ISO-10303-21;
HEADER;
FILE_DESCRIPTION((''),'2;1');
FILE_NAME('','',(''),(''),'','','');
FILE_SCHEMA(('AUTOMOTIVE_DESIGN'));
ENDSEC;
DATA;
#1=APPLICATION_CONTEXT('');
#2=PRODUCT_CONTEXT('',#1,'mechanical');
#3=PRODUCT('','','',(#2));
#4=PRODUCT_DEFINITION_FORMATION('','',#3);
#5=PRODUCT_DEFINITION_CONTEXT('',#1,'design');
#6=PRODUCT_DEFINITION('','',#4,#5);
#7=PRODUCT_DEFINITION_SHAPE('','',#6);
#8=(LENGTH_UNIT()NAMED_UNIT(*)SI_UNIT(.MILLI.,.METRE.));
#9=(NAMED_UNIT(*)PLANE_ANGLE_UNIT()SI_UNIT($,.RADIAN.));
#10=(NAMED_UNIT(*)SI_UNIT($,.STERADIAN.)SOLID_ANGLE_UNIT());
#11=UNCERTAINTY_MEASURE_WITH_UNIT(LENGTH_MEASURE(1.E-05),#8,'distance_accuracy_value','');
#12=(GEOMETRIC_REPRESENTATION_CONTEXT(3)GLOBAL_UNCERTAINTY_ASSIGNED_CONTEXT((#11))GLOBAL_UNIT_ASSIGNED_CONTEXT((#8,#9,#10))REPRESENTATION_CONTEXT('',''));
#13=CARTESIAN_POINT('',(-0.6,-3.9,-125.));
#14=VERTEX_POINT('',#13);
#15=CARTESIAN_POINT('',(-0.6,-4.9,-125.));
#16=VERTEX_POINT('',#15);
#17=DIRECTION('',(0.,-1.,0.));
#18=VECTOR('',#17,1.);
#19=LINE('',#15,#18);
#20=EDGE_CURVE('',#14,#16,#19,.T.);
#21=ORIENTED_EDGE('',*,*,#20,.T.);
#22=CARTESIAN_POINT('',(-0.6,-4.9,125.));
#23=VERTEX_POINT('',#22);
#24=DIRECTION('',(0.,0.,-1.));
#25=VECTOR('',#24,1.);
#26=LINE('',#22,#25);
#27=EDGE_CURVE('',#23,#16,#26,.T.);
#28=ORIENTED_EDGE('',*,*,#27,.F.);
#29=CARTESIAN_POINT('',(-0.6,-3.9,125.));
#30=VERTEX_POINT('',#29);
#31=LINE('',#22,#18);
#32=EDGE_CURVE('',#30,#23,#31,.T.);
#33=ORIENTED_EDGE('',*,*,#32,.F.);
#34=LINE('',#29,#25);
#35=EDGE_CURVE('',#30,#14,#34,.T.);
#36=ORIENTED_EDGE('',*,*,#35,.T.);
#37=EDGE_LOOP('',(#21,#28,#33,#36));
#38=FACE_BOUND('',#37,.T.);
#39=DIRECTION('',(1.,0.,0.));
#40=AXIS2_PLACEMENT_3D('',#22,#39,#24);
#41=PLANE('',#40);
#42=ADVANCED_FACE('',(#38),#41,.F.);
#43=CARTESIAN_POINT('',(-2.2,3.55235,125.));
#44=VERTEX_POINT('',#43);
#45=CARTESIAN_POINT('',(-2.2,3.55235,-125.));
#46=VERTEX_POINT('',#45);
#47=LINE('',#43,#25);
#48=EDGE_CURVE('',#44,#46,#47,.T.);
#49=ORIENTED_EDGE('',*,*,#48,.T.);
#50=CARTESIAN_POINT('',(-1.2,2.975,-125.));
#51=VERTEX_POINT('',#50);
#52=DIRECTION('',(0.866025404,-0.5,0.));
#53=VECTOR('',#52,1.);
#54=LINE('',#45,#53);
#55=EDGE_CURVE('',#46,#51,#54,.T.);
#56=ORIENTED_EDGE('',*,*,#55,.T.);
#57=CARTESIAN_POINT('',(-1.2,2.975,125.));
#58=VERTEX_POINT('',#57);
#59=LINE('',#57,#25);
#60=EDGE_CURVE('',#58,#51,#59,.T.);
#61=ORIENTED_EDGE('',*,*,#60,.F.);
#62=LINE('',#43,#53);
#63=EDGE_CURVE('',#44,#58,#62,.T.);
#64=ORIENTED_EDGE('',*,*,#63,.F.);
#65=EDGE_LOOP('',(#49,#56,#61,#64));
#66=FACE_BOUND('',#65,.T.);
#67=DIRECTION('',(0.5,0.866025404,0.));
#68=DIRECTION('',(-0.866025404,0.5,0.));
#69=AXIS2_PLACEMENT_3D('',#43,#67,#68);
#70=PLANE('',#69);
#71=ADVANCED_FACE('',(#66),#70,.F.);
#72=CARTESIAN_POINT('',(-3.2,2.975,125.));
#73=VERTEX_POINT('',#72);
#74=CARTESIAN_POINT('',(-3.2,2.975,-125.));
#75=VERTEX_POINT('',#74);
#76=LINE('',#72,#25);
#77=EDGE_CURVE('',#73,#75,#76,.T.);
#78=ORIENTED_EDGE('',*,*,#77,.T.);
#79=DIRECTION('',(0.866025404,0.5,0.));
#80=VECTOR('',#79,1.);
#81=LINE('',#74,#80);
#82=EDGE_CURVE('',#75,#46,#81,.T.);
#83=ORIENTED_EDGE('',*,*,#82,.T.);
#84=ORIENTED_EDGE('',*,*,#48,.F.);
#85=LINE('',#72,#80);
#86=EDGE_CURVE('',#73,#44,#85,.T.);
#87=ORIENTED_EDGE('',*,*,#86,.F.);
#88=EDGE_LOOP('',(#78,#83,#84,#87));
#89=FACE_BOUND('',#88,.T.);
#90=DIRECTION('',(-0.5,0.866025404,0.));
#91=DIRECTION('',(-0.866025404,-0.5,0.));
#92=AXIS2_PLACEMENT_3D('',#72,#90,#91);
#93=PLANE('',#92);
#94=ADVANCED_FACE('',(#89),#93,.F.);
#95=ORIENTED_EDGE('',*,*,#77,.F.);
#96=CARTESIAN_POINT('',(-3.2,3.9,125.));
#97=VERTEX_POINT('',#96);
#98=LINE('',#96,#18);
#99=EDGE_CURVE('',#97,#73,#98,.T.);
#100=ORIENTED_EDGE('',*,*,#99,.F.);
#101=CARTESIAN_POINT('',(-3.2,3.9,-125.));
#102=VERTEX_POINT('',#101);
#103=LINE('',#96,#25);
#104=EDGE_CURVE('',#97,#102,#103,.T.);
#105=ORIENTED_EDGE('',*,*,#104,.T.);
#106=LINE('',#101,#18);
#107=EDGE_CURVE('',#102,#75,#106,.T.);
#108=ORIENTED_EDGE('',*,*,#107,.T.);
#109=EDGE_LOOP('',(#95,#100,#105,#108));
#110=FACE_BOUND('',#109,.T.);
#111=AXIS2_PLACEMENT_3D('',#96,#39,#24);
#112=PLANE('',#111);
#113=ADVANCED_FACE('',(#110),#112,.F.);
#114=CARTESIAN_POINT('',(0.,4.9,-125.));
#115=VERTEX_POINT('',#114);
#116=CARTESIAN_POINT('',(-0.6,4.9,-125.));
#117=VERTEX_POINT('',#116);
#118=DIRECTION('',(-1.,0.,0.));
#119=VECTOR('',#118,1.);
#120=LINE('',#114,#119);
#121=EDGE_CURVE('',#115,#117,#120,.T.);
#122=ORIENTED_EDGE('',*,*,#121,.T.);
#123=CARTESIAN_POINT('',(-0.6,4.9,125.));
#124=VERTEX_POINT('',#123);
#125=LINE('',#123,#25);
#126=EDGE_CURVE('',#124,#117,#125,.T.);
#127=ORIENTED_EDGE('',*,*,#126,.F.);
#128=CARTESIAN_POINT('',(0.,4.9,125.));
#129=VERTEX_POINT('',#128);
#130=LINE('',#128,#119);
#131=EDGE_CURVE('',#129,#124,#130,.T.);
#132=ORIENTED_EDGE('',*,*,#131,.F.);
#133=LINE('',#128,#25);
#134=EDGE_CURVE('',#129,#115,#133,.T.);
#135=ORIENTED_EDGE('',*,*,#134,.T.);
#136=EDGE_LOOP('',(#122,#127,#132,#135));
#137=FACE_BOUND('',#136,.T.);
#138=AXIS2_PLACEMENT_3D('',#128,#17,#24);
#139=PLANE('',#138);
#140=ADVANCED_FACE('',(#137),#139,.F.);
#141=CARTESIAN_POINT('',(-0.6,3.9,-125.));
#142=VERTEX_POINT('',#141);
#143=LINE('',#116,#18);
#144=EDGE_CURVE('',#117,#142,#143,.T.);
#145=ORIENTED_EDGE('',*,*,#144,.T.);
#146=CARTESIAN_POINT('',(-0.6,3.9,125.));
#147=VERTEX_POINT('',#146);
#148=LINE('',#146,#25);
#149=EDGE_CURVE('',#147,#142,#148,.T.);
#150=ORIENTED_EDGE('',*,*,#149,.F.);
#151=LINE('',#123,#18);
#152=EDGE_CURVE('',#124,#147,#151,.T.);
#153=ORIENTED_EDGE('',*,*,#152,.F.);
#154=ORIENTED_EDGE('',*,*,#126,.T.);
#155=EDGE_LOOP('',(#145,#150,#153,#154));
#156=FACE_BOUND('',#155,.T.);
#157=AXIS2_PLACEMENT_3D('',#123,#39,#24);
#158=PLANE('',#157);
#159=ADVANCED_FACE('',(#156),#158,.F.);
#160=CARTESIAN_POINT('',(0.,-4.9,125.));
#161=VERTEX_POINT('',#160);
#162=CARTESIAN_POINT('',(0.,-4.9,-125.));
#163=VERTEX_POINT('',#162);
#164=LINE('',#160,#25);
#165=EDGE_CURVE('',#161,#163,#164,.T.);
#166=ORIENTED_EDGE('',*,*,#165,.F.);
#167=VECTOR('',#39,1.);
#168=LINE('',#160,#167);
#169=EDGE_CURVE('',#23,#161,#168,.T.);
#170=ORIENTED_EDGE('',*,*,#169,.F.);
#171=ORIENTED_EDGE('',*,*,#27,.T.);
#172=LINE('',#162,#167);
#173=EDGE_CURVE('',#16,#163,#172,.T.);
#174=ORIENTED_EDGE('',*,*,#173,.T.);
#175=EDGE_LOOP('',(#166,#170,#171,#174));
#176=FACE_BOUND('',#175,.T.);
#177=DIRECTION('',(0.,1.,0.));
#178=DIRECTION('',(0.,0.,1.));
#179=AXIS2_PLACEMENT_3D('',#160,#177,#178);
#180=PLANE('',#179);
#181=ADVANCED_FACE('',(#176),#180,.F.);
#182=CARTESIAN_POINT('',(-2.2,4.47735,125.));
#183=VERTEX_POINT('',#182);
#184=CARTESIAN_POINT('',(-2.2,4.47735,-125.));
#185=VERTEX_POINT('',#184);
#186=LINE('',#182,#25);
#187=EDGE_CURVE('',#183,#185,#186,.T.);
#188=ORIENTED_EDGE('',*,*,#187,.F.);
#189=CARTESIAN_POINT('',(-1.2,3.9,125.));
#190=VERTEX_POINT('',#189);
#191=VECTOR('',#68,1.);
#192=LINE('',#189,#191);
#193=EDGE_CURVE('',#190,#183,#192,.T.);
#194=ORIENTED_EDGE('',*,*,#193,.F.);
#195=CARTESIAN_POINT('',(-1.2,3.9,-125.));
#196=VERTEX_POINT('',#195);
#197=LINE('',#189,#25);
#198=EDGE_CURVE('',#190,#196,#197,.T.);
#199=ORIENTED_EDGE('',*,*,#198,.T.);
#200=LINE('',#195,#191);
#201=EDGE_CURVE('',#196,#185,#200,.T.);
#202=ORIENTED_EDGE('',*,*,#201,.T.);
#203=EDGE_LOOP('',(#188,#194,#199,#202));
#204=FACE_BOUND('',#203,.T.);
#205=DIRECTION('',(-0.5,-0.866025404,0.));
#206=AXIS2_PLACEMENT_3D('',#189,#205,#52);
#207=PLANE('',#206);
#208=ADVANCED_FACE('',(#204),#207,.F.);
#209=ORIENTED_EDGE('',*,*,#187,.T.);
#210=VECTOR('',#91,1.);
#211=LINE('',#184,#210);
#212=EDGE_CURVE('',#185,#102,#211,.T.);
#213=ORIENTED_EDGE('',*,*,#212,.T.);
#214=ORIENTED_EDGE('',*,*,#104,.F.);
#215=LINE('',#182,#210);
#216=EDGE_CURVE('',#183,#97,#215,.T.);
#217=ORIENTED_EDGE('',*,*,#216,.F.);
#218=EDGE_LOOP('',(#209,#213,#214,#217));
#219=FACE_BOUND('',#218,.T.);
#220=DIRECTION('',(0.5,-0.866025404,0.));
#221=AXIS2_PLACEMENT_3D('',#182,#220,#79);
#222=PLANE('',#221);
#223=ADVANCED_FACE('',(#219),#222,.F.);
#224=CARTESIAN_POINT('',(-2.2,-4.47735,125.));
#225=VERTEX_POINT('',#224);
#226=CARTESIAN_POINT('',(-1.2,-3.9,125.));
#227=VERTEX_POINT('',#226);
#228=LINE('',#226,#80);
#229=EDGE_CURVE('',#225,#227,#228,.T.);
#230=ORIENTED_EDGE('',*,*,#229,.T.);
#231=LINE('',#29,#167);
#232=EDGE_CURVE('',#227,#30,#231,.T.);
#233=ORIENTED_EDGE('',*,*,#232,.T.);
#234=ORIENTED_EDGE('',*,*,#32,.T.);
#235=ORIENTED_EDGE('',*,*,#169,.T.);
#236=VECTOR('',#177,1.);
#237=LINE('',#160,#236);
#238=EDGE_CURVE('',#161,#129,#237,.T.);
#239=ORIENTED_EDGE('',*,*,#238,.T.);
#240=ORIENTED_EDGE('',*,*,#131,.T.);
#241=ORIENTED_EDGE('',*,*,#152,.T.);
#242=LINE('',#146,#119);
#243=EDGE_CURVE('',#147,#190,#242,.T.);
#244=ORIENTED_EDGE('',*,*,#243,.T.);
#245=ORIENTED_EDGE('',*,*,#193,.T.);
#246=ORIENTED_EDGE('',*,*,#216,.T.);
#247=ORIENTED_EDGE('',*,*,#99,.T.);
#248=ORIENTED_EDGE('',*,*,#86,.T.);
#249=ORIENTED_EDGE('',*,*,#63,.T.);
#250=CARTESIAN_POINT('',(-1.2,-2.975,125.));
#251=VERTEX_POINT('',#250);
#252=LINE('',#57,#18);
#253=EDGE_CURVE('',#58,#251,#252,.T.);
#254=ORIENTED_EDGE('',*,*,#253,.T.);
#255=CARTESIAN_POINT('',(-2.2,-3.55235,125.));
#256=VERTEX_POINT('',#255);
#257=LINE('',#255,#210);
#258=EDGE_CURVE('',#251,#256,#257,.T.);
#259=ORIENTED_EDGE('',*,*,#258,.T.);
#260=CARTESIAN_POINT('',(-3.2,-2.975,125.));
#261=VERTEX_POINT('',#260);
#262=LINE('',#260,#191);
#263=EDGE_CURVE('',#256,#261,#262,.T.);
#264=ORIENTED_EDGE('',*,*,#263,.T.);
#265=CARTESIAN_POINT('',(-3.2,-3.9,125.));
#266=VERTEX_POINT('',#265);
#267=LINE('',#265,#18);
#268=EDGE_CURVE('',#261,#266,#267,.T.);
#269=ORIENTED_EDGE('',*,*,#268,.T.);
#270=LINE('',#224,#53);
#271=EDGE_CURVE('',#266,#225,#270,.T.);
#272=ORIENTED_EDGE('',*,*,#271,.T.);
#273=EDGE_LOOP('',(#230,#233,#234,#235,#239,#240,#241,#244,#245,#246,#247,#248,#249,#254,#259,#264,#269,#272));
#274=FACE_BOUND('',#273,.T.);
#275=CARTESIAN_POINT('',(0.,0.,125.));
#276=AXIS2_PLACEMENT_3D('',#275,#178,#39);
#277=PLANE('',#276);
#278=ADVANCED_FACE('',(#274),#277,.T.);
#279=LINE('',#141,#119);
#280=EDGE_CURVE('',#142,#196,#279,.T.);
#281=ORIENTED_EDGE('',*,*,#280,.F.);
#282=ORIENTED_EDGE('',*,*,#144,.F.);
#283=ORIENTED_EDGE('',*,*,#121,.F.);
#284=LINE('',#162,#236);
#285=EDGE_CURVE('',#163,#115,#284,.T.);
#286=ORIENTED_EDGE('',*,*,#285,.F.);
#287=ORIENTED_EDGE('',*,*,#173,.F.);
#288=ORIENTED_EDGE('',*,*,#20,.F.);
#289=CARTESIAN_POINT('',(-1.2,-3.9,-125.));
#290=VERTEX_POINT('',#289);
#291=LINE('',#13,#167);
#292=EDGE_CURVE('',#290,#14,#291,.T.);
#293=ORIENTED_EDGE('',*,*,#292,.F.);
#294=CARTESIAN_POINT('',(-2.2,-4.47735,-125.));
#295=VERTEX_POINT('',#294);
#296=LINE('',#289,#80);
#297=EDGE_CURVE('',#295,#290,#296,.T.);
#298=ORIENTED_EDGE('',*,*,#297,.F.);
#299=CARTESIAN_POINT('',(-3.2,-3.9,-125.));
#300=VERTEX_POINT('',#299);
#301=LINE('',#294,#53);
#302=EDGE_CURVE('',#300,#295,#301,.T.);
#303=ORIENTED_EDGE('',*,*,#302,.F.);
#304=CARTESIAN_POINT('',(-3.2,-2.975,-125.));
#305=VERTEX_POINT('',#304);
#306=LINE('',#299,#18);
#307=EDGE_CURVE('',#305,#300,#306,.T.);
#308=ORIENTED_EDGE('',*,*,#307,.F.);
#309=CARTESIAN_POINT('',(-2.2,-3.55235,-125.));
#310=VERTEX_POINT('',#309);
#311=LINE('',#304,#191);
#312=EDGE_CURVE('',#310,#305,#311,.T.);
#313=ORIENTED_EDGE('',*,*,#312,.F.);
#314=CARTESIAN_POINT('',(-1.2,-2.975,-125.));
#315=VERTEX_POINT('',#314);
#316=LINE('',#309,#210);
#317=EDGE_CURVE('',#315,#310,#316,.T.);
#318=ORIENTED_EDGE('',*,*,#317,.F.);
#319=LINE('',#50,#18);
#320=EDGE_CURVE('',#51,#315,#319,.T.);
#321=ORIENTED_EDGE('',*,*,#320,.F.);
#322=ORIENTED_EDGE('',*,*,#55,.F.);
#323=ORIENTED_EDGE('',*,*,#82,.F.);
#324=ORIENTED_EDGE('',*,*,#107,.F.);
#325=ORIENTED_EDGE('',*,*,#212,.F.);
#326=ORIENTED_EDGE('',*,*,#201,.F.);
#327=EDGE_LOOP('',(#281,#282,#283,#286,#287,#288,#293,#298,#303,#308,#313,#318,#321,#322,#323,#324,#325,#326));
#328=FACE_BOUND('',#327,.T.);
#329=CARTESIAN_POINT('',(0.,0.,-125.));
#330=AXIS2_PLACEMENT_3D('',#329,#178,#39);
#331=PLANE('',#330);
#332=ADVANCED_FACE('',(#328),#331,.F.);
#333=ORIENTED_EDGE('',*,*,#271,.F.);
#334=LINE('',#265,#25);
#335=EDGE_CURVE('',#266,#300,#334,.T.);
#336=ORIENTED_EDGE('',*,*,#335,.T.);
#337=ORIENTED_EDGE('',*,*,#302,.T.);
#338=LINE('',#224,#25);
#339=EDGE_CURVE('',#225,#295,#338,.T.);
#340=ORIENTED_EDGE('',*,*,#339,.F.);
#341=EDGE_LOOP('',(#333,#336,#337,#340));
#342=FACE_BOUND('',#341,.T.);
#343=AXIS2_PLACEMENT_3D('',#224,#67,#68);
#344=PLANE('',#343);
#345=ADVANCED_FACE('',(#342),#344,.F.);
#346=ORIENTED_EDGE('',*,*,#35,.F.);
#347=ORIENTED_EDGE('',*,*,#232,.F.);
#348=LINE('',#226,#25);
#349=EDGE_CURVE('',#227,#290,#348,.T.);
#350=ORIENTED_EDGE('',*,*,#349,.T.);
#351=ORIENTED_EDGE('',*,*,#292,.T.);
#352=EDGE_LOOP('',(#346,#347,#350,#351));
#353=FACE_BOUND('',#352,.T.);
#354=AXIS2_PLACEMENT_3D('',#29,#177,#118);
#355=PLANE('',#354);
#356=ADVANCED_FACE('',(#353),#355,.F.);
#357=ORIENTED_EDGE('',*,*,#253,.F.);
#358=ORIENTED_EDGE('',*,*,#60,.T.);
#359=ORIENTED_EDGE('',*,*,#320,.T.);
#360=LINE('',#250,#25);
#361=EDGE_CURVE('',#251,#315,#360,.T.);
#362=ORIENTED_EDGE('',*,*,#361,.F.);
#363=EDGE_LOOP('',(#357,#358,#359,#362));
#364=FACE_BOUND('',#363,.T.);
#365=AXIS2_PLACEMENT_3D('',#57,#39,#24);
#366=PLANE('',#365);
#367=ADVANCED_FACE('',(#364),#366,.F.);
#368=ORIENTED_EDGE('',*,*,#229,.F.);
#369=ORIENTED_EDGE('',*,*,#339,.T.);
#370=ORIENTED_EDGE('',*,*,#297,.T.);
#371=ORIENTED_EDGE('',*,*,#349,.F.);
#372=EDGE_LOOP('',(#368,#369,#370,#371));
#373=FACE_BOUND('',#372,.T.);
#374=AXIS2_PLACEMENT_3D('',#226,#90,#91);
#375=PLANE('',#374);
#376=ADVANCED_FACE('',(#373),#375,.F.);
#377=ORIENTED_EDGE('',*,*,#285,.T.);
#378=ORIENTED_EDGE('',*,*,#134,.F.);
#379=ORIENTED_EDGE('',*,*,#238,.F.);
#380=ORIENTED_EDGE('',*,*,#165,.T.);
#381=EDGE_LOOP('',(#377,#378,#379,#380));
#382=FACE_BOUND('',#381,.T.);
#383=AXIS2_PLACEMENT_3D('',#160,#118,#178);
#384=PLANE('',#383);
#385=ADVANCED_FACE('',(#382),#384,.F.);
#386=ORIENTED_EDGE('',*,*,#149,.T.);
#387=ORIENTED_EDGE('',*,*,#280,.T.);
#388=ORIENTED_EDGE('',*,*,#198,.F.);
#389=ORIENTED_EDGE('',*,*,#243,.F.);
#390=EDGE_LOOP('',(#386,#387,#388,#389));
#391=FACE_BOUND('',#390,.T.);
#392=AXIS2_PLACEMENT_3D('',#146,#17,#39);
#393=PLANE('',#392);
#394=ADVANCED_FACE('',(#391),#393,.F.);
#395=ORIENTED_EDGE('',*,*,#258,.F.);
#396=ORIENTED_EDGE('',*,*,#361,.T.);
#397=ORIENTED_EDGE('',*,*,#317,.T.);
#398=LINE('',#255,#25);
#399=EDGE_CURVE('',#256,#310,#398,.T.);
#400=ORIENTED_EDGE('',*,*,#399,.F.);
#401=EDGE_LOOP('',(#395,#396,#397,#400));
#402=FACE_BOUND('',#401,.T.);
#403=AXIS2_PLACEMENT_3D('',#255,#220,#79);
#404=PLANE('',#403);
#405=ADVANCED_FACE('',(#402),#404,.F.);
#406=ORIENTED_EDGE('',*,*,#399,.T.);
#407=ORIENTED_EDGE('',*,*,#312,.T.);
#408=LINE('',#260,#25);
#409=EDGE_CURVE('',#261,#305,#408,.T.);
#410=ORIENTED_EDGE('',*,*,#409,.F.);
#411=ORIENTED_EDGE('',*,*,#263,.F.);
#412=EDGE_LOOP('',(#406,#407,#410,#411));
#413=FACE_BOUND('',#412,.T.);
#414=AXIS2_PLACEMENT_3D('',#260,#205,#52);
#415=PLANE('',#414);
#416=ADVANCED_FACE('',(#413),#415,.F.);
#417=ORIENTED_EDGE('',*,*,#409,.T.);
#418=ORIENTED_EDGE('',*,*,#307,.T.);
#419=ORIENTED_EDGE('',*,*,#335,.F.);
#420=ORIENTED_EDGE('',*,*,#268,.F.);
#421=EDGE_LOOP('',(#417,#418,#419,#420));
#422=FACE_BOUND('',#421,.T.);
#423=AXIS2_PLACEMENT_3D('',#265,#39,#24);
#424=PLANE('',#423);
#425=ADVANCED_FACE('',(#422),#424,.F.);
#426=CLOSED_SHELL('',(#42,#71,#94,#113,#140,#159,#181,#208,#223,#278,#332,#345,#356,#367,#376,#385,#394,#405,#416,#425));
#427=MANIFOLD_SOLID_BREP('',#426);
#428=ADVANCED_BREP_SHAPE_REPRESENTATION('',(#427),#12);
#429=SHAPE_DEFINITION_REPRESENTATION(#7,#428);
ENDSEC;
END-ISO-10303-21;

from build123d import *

# Parameters (mm, degrees)
BOSS_EXTRUDE1_DEPTH = 125


with BuildPart() as part:
    # Sketch1 → Boss-Extrude1 (new, symmetric)
    with BuildSketch(Plane.XY):
        Polygon((0, -4.9), (0, 4.9), (-0.6, 4.9), (-0.6, 3.9), (-1.2, 3.9), (-2.2, 4.477350269), (-3.2, 3.9), (-3.2, 2.975), (-2.2, 3.552350269), (-1.2, 2.975), (-1.2, -2.975), (-2.2, -3.552350269), (-3.2, -2.975), (-3.2, -3.9), (-2.2, -4.477350269), (-1.2, -3.9), (-0.6, -3.9), (-0.6, -4.9), align=None)
    extrude(amount=BOSS_EXTRUDE1_DEPTH, both=True)


solid = part.part
